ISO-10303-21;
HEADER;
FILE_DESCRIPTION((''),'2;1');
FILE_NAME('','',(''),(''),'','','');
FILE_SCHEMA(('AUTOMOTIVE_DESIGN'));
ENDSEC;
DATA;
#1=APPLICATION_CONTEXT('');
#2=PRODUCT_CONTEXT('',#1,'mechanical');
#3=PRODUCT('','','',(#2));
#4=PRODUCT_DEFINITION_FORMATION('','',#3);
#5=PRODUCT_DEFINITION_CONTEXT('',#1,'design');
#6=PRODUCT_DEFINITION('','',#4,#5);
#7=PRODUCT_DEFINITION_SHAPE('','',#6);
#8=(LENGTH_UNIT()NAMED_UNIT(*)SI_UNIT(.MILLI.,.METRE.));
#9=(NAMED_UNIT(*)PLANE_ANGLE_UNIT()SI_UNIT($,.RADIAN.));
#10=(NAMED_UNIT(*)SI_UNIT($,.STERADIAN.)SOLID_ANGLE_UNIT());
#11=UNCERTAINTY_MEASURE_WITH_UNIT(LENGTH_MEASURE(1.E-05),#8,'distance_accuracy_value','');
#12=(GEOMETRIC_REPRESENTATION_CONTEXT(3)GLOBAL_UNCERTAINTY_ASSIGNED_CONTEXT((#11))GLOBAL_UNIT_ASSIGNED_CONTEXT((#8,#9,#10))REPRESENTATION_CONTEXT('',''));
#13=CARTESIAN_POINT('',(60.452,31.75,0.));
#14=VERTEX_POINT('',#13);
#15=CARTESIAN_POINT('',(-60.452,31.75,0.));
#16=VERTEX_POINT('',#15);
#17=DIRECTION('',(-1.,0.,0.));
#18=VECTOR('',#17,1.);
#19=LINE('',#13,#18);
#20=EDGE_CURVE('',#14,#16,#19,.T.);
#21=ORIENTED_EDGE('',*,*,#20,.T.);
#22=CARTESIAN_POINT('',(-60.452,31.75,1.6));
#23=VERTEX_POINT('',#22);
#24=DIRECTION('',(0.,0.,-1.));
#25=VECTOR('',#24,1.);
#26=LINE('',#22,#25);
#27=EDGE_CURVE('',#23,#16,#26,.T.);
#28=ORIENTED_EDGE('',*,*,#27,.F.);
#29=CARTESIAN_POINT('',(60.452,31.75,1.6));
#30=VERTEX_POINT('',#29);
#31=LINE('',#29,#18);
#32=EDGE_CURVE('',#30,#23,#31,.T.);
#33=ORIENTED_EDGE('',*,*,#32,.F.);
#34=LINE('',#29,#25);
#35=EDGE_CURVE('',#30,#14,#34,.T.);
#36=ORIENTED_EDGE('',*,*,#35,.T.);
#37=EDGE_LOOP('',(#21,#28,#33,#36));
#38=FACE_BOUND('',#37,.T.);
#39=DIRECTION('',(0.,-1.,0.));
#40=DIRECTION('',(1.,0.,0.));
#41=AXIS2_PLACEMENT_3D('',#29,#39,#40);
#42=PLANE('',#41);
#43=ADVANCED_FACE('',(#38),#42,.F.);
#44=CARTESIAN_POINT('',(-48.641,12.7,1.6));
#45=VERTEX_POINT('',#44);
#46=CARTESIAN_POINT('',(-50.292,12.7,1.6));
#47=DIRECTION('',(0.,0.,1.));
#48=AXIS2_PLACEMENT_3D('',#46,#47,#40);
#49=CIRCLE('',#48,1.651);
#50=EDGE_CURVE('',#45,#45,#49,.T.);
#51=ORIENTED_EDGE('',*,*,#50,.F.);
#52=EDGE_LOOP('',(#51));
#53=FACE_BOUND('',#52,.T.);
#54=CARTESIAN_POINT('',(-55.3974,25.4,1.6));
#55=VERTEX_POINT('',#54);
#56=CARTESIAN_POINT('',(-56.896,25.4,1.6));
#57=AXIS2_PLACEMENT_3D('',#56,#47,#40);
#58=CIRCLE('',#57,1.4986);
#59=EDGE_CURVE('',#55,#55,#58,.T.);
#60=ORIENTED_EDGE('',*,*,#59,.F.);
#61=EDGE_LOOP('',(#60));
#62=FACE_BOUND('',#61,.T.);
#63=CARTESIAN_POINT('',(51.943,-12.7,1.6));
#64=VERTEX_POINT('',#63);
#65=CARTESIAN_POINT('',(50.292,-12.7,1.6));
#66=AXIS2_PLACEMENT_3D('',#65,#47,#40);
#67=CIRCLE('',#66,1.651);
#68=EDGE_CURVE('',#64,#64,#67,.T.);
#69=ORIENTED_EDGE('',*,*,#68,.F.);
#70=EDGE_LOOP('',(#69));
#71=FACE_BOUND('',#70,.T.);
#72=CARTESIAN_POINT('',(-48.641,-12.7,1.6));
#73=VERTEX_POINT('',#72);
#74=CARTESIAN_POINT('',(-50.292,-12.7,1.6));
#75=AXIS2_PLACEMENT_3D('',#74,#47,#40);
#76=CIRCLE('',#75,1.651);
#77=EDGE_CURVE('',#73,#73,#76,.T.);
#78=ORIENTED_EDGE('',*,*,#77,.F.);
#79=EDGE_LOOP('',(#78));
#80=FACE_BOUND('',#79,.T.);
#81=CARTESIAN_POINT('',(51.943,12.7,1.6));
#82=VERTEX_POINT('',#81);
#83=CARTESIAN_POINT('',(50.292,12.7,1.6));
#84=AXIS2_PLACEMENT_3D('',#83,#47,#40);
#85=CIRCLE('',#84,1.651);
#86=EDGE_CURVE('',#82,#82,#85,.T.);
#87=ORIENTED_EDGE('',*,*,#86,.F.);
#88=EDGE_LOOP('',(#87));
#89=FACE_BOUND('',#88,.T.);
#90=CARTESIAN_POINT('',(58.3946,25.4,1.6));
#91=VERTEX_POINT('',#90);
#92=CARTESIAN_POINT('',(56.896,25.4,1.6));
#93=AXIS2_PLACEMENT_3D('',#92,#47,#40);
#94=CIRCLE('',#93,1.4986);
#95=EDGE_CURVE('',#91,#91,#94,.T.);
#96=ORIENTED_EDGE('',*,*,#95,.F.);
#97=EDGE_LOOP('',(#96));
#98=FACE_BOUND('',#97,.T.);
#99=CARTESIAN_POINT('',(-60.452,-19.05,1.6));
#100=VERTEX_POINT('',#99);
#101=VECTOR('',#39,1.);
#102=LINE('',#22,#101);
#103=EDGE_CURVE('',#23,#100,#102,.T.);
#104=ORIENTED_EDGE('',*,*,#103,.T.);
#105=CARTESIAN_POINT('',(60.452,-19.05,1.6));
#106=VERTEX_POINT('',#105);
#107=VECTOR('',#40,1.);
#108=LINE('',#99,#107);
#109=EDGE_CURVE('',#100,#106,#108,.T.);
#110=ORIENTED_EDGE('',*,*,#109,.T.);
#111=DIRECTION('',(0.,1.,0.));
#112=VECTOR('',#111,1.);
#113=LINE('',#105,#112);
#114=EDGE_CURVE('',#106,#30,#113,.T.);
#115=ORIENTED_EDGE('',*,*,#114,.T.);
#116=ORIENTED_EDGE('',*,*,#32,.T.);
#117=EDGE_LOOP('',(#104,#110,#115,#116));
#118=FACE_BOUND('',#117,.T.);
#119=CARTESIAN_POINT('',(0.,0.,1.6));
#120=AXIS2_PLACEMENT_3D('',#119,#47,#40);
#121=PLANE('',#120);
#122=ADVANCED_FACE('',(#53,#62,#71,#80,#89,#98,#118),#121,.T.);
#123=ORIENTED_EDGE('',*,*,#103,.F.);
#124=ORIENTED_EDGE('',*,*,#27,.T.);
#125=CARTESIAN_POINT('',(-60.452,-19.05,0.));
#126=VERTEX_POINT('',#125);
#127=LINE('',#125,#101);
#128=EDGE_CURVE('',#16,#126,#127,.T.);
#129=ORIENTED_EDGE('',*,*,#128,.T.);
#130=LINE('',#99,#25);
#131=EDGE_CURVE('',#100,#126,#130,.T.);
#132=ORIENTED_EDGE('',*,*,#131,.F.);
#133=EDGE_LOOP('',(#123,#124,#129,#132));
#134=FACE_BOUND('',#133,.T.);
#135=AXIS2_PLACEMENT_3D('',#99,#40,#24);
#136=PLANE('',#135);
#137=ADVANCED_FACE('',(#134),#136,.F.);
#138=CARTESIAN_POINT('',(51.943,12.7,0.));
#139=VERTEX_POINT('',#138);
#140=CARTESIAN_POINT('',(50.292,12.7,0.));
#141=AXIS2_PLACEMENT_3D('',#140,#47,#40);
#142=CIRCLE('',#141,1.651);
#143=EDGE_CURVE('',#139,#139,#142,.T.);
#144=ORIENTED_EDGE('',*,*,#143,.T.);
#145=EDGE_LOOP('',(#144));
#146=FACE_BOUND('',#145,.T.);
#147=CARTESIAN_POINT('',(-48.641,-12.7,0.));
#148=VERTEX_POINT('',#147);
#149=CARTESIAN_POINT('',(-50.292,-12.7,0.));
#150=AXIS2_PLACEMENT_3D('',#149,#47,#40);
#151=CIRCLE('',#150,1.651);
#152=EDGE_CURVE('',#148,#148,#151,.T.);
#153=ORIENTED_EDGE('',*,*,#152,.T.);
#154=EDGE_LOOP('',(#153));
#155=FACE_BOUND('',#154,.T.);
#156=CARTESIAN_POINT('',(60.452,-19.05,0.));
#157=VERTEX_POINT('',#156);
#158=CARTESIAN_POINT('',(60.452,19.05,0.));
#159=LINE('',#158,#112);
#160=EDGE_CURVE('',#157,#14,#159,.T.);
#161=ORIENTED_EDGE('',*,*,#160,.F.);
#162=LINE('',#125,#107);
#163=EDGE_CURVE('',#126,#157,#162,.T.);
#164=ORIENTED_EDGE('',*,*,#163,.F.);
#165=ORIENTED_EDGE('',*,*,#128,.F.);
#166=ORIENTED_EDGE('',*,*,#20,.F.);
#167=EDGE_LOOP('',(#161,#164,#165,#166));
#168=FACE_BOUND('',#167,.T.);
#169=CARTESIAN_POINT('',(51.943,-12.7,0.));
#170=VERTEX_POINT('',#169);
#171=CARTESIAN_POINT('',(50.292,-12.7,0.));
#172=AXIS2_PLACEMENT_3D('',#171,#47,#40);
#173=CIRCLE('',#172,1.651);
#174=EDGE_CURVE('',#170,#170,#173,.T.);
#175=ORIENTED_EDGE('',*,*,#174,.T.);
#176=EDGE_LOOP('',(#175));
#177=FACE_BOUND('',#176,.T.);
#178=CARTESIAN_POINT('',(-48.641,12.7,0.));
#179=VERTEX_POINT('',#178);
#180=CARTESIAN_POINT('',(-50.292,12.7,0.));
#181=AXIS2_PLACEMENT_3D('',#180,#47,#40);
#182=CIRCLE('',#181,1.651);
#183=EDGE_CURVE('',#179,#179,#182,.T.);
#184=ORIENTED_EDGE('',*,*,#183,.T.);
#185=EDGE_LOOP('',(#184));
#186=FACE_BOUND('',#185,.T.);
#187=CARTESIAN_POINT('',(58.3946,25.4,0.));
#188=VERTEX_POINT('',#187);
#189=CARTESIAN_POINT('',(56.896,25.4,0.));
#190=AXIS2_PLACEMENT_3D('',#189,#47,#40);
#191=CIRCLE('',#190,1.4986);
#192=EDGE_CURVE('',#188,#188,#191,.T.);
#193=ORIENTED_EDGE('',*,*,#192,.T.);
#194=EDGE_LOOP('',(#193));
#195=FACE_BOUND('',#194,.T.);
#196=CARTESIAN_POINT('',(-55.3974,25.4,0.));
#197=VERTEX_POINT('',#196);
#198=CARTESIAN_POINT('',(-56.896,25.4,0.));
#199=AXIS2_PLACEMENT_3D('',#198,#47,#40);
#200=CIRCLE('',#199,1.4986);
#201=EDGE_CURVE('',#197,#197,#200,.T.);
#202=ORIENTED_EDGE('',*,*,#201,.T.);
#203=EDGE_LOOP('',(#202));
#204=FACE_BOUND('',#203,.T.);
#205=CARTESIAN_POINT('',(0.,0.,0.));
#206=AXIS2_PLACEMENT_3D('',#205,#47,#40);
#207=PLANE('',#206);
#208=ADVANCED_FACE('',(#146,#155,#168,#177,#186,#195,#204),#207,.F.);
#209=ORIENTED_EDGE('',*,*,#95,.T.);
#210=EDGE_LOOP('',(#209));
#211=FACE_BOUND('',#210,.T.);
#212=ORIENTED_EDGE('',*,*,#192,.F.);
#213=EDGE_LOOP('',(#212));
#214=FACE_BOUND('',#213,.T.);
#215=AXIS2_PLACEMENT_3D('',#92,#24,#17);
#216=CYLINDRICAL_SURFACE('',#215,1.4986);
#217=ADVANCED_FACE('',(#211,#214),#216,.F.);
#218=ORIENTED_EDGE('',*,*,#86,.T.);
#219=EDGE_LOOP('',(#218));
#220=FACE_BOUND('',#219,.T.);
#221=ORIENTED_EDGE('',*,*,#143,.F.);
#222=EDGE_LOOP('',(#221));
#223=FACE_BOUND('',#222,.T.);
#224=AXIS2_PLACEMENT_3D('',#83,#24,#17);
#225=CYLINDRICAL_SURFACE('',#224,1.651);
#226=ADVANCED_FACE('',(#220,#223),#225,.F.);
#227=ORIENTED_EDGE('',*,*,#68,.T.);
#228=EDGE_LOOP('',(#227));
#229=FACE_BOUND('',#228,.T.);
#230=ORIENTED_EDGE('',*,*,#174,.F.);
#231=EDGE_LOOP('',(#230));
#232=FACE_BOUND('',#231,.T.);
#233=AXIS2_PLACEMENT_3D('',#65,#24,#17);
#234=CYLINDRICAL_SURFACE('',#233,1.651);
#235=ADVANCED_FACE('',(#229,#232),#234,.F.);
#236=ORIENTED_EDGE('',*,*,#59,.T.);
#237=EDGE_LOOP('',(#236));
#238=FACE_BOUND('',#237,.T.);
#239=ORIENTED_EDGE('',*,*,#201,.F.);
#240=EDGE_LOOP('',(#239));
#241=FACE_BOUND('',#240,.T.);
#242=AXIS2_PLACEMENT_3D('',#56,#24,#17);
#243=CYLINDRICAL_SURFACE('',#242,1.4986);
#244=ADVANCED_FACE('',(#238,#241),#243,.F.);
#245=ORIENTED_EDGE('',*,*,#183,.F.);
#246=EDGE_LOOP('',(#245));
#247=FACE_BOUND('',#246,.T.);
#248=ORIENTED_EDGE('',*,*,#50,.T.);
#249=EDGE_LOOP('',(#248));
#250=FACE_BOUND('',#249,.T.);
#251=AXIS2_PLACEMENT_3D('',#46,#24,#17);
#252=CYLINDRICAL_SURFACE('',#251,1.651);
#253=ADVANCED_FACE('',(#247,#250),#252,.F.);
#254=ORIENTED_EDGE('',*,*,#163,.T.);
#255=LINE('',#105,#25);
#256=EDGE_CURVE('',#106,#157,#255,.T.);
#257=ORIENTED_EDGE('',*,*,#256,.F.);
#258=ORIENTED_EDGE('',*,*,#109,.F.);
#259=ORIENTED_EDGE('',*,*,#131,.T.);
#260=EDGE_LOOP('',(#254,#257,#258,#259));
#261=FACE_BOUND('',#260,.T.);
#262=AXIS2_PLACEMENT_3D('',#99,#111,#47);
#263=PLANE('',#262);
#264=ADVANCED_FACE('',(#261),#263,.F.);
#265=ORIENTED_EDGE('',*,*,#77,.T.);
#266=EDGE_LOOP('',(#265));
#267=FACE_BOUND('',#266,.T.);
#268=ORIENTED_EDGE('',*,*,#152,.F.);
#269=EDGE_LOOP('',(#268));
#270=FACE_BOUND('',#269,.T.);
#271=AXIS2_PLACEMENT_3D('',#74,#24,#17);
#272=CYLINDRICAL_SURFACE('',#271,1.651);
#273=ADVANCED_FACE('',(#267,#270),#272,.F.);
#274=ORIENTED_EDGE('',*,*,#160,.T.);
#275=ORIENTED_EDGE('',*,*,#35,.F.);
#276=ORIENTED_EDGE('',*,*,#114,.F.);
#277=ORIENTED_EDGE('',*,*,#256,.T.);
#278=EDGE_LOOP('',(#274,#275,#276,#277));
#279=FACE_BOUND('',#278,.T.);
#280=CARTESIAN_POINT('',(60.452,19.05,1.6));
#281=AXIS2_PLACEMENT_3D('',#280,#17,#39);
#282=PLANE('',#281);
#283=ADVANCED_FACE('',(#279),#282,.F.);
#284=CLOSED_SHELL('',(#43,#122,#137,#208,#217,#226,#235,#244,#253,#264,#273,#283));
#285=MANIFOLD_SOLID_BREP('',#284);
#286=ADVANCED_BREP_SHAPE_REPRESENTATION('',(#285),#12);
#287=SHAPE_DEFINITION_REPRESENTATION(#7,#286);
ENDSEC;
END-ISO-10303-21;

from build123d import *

# Parameters (mm, degrees)
SKETCH1_R           = 1.651
SKETCH1_R_2         = 1.4986
BOSS_EXTRUDE1_DEPTH = 1.6


with BuildPart() as part:
    # Sketch1 → Boss-Extrude1 (new body)
    with BuildSketch(Plane.XY):
        Polygon((60.452, 19.05), (60.452, 31.75), (-60.452, 31.75), (-60.452, 19.05), (-60.452, -19.05), (60.452, -19.05), align=None)
        with Locations((-50.292, 12.7)):
            Circle(SKETCH1_R, mode=Mode.SUBTRACT)
        with Locations((-50.292, -12.7)):
            Circle(SKETCH1_R, mode=Mode.SUBTRACT)
        with Locations((50.292, 12.7)):
            Circle(SKETCH1_R, mode=Mode.SUBTRACT)
        with Locations((50.292, -12.7)):
            Circle(SKETCH1_R, mode=Mode.SUBTRACT)
        with Locations((56.896, 25.4)):
            Circle(SKETCH1_R_2, mode=Mode.SUBTRACT)
        with Locations((-56.896, 25.4)):
            Circle(SKETCH1_R_2, mode=Mode.SUBTRACT)
    extrude(amount=BOSS_EXTRUDE1_DEPTH)


solid = part.part
